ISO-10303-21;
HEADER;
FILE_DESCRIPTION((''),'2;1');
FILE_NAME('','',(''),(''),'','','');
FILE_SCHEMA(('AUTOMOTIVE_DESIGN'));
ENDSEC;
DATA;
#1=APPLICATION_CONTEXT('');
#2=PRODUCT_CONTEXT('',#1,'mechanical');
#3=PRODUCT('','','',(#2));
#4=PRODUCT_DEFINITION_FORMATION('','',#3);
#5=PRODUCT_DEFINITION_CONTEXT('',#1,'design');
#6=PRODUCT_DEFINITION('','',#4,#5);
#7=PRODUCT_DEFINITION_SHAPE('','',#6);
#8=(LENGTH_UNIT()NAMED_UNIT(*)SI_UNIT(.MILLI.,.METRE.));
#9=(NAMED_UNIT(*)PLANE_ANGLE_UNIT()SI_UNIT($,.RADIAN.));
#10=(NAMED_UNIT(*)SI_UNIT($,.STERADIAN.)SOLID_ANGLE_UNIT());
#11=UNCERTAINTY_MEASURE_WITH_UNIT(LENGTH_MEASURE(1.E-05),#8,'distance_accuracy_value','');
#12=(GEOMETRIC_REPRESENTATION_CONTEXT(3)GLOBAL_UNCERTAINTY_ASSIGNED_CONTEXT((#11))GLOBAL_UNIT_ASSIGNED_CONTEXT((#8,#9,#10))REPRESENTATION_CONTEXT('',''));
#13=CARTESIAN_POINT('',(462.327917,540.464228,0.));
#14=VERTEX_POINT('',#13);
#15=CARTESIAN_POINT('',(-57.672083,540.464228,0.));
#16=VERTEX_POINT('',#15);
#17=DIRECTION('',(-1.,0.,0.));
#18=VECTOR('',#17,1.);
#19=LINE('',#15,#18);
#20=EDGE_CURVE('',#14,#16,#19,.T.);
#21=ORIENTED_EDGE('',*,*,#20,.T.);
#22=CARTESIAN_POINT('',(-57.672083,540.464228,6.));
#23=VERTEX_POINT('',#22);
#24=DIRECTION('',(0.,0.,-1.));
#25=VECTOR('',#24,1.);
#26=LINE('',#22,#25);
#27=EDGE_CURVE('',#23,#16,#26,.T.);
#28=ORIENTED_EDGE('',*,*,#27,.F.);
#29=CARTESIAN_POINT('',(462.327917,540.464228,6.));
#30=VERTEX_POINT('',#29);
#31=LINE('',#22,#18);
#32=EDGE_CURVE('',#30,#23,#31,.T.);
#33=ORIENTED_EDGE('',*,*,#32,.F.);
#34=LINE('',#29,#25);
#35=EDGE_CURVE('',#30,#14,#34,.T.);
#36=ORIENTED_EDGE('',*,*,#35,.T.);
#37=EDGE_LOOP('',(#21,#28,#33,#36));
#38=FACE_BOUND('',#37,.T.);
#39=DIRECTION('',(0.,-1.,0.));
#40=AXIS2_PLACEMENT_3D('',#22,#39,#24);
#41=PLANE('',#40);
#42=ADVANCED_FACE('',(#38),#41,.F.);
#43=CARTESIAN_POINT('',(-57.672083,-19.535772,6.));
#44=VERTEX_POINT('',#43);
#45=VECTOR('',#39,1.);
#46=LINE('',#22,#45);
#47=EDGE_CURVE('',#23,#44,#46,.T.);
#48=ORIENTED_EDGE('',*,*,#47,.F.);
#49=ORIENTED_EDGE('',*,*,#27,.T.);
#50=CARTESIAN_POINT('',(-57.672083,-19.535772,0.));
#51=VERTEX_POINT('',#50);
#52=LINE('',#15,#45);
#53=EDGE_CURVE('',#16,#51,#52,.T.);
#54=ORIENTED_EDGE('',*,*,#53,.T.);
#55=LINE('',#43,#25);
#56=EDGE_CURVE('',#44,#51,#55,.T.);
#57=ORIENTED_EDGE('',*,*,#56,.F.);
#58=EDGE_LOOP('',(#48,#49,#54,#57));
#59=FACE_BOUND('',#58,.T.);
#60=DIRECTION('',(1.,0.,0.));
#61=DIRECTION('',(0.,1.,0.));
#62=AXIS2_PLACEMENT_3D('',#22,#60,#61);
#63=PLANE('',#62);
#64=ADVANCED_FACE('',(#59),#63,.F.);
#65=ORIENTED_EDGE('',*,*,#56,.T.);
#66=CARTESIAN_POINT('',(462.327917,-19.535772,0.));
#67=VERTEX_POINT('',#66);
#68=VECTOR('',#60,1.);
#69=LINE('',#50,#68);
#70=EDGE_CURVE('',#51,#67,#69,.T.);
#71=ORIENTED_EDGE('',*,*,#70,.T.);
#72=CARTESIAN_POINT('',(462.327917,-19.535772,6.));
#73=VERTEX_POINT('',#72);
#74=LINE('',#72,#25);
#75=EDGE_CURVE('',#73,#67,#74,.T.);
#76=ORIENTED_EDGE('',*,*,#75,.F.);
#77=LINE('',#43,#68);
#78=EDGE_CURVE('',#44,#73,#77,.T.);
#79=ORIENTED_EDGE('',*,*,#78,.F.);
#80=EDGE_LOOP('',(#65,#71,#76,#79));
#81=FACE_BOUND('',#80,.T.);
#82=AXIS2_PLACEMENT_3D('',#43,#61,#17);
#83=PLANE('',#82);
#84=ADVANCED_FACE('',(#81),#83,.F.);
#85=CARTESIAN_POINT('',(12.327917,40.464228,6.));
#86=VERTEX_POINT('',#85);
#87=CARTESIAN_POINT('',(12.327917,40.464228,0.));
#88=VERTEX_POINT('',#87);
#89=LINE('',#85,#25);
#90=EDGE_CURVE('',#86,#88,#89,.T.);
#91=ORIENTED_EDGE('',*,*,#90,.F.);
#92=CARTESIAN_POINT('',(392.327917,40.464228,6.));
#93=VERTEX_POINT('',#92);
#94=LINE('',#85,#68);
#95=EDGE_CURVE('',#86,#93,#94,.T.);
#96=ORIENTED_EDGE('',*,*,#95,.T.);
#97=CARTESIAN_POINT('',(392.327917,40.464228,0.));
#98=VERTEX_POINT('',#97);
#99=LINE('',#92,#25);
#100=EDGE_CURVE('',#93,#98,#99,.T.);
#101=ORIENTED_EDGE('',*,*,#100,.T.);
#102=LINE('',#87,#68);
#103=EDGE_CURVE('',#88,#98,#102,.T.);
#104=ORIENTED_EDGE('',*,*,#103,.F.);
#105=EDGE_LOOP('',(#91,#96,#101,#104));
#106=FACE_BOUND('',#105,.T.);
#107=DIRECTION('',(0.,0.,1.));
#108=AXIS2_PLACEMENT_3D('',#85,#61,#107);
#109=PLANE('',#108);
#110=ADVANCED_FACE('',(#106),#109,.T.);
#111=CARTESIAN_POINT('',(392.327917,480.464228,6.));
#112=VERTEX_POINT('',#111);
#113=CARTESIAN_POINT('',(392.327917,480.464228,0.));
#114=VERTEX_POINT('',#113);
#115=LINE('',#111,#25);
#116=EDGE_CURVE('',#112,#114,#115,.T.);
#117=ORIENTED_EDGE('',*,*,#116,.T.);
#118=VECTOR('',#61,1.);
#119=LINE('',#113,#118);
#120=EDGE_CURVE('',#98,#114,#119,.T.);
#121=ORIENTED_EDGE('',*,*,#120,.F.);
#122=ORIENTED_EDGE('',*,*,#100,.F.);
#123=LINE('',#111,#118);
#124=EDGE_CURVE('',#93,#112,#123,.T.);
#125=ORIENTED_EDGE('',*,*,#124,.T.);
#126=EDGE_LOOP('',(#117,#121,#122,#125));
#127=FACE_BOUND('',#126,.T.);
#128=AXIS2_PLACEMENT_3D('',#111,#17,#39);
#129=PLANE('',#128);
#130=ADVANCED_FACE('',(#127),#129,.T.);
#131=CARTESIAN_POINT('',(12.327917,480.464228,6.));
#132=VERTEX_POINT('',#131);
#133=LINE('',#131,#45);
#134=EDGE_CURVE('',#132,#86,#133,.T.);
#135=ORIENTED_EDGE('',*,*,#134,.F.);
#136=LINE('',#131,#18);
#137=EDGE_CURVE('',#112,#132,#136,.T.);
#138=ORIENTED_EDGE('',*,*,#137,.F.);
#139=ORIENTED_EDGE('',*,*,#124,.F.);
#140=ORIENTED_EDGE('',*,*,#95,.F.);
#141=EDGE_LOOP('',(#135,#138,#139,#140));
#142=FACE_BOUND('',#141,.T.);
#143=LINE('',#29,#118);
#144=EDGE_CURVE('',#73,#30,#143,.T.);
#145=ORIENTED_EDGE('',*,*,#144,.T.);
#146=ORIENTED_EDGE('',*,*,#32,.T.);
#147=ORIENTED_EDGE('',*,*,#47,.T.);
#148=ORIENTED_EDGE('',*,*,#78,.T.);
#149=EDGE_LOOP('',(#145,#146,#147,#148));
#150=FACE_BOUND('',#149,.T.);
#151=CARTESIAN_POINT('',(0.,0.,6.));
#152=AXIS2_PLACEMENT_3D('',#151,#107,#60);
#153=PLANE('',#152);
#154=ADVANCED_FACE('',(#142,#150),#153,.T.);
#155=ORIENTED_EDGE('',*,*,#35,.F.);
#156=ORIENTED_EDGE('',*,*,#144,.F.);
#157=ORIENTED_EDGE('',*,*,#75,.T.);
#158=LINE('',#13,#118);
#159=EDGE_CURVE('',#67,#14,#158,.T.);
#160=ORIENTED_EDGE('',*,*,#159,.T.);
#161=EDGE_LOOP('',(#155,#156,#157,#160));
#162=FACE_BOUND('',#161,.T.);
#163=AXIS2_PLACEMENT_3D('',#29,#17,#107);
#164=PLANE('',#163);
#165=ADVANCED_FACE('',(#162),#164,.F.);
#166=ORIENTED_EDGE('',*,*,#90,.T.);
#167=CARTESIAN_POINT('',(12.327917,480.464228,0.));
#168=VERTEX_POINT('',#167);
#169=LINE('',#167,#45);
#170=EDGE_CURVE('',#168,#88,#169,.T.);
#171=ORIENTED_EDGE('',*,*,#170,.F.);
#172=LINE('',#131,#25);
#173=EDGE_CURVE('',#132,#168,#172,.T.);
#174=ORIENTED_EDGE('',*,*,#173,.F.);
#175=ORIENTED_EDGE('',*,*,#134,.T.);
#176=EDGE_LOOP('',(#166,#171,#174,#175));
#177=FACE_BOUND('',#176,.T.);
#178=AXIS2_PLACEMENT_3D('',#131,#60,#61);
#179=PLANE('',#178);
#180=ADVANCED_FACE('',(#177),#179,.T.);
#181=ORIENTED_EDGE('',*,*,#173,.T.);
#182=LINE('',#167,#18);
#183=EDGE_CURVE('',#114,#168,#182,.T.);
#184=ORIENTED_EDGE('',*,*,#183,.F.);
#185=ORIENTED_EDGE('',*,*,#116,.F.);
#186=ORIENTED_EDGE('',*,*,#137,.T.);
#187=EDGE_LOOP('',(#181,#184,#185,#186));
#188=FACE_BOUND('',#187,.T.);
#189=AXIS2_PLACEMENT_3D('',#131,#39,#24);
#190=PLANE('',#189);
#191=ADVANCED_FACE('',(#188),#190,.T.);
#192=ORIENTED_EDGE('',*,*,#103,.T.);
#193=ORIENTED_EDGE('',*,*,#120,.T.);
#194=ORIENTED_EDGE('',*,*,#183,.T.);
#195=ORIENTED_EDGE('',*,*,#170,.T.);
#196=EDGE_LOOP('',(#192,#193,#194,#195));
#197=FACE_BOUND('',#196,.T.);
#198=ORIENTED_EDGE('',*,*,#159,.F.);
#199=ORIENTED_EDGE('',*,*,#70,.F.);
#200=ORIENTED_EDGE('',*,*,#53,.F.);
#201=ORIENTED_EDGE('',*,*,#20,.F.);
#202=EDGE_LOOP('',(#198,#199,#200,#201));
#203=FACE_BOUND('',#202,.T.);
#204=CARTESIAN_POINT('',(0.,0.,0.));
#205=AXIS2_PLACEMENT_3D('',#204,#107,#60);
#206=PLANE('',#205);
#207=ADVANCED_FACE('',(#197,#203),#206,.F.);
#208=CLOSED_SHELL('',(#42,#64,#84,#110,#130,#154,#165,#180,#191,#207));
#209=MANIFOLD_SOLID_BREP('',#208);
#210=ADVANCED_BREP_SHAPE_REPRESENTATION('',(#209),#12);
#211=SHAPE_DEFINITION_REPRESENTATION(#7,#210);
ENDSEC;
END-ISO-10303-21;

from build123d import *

# Parameters (mm, degrees)
SKETCH_1_W      = 520
SKETCH_1_H      = 560
SKETCH_1_W_2    = 380
SKETCH_1_H_2    = 440
EXTRUDE_1_DEPTH = 6


with BuildPart() as part:
    # Эскиз1 → Бобышка-Вытянуть1 (new body)
    with BuildSketch(Plane.XY):
        with Locations((202.327917168, 260.464227839)):
            Rectangle(SKETCH_1_W, SKETCH_1_H)
        with Locations((202.327917168, 260.464227839)):
            Rectangle(SKETCH_1_W_2, SKETCH_1_H_2, mode=Mode.SUBTRACT)
    extrude(amount=EXTRUDE_1_DEPTH)


solid = part.part
